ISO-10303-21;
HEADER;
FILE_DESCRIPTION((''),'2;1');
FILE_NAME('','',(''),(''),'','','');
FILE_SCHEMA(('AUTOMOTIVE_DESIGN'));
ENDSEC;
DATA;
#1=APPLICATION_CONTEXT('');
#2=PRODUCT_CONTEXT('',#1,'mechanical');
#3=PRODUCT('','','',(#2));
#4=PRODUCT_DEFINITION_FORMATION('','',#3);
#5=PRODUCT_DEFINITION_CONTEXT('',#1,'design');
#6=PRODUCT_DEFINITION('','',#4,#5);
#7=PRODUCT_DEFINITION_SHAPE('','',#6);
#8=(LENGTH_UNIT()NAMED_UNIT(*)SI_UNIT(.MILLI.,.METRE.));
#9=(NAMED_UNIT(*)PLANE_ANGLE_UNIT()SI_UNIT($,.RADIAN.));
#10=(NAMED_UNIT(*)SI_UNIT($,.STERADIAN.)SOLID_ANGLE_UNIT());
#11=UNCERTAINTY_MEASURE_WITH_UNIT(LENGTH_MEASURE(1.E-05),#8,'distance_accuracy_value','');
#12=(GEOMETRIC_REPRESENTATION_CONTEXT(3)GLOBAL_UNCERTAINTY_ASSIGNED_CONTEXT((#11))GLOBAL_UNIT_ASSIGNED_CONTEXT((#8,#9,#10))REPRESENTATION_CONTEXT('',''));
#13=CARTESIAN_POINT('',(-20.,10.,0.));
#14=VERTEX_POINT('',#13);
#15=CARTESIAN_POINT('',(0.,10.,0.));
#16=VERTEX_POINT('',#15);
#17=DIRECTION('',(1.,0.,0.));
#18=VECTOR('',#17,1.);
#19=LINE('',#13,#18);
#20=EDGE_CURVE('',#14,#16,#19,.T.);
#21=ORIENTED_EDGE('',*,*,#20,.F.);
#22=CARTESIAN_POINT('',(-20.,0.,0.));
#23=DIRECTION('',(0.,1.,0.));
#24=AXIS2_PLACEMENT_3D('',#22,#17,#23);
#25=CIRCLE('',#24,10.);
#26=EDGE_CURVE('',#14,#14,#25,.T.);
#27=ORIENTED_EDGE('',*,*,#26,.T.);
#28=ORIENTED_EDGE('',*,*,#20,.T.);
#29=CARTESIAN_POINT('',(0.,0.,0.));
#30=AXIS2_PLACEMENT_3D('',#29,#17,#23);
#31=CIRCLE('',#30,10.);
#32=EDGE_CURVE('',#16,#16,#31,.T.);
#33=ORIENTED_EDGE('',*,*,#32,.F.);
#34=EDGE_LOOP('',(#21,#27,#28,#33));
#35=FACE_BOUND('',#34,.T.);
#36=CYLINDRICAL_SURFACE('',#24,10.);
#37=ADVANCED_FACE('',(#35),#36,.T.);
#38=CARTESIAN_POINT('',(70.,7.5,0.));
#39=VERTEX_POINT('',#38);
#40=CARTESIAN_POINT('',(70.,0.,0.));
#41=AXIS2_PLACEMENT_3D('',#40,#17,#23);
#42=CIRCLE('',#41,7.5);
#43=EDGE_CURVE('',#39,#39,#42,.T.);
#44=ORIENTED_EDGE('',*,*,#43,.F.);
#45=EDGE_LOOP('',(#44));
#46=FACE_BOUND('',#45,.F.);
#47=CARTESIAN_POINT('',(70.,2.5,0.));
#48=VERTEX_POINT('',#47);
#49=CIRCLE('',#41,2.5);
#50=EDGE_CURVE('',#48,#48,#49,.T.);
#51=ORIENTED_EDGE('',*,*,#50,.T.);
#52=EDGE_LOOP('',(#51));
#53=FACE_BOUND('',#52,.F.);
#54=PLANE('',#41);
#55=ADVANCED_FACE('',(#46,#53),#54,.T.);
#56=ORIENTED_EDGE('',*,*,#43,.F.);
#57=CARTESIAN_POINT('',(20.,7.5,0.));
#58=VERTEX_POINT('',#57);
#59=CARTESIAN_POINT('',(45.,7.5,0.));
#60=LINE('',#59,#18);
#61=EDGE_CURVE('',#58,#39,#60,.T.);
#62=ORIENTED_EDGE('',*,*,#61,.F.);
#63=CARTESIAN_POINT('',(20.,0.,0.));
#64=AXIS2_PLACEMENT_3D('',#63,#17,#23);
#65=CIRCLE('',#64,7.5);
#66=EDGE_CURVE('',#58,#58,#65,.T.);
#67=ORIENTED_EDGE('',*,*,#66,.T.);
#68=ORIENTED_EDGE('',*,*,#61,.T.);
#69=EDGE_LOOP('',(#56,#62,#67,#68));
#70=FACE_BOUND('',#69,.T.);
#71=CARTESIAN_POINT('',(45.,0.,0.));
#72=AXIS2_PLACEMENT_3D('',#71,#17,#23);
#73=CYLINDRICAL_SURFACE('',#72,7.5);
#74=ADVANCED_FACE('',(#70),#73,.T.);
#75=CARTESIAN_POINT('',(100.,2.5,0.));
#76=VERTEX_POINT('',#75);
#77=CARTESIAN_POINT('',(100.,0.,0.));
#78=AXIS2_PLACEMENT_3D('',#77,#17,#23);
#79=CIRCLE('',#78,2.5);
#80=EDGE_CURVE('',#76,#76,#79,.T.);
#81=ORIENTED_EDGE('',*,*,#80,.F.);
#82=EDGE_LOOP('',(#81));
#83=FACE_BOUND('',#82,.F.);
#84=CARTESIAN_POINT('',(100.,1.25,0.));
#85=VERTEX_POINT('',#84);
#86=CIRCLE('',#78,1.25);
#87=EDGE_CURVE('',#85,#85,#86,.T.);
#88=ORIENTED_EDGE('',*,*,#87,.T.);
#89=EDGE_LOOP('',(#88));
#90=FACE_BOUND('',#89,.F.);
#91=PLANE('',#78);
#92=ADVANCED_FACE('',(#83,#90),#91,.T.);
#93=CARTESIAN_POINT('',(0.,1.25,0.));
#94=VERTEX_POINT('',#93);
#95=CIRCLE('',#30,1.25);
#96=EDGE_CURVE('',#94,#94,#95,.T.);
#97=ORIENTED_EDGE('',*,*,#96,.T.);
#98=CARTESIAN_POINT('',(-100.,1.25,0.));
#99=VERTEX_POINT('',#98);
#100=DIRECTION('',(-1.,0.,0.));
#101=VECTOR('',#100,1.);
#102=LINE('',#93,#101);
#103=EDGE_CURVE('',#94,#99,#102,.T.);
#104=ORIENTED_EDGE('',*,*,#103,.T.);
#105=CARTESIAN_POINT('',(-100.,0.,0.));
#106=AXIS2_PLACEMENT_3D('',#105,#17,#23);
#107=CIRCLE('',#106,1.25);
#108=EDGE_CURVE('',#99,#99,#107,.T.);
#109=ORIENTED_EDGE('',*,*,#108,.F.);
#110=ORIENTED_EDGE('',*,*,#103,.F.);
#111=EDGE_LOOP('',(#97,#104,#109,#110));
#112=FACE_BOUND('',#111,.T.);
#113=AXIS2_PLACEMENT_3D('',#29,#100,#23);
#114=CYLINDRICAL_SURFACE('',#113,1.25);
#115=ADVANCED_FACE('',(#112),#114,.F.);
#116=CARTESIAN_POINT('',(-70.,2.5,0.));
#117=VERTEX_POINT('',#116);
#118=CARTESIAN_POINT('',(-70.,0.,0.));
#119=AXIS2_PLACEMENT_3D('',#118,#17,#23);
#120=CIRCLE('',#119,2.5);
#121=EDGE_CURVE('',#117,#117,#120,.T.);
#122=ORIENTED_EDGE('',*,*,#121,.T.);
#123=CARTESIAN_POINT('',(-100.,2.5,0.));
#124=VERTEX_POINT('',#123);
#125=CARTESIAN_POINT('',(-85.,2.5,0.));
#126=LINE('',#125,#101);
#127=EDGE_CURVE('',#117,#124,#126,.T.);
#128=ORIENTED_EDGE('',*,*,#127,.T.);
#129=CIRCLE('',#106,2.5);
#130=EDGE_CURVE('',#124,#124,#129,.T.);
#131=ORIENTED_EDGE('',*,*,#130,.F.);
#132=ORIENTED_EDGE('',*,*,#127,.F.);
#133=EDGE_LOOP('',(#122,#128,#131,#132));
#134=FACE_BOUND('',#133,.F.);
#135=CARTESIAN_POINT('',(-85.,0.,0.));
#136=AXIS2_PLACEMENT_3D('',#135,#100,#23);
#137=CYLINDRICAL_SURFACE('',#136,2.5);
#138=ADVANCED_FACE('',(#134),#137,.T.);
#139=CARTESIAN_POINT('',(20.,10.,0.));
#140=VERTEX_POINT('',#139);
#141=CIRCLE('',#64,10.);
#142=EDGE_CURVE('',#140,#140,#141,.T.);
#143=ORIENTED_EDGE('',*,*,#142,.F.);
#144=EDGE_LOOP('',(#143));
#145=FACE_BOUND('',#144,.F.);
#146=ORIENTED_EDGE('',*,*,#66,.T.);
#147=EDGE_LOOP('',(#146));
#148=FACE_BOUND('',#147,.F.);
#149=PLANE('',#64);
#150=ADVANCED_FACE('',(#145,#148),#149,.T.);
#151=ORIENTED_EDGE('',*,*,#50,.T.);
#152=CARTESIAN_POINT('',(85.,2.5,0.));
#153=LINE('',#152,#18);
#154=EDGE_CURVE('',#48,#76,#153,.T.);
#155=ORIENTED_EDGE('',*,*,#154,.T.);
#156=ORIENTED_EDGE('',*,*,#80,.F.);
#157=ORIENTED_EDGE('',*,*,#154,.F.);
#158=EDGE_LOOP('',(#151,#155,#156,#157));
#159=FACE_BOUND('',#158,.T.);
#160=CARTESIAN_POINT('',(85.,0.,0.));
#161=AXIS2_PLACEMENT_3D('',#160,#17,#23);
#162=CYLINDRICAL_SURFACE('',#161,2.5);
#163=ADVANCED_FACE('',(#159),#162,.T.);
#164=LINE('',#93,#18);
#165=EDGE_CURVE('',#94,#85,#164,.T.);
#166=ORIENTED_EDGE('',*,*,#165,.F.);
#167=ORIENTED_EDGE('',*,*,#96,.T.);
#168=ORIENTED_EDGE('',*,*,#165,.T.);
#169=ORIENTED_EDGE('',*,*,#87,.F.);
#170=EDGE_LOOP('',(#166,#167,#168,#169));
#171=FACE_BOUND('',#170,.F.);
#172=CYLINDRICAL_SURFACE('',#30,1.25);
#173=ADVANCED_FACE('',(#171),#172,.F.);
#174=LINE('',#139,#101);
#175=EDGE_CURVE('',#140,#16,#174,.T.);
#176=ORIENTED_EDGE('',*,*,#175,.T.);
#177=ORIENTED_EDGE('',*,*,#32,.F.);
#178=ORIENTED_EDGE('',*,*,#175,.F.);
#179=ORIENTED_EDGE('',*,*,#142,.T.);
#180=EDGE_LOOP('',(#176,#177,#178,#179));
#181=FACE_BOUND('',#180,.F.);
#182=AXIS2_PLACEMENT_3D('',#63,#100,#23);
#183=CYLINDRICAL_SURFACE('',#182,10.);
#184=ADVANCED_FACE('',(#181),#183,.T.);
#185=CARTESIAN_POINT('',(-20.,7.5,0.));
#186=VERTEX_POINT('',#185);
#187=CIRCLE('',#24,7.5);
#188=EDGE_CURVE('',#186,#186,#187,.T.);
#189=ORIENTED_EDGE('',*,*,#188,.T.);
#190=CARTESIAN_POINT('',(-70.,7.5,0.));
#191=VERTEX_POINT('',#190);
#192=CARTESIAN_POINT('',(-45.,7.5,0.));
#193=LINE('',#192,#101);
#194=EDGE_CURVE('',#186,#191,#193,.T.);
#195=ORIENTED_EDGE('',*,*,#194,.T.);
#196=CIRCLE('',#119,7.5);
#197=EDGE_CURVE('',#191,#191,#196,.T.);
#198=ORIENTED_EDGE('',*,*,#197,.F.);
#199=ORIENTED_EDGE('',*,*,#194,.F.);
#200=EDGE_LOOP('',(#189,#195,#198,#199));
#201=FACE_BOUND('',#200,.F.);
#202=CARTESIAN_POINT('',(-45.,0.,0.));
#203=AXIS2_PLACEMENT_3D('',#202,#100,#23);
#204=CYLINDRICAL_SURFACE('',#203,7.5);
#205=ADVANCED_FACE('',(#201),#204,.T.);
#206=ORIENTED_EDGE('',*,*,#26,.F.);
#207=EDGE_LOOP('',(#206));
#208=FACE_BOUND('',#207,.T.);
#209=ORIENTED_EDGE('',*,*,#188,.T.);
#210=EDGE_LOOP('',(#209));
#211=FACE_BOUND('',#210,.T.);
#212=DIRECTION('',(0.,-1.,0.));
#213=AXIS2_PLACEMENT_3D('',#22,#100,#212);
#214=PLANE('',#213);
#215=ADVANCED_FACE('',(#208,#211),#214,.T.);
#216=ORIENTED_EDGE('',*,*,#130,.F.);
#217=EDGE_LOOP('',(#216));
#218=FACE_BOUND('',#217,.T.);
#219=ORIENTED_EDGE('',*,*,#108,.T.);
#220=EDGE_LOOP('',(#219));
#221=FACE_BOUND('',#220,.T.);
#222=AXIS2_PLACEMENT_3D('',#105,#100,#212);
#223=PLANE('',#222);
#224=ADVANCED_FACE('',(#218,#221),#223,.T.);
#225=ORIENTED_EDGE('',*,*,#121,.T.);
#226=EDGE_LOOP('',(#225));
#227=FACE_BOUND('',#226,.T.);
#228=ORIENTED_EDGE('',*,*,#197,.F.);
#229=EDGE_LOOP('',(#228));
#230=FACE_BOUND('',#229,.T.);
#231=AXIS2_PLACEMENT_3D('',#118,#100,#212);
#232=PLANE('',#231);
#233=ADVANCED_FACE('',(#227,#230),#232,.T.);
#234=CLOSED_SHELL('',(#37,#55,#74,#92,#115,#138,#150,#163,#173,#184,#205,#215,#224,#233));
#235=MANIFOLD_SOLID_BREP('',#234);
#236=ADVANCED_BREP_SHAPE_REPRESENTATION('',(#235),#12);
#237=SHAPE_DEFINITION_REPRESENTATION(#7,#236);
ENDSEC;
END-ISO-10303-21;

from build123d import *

# Parameters (mm, degrees)
F0_W   = 50
F0_H   = 5
F0_W_2 = 30
F0_H_2 = 1.25
F0_W_3 = 20


with BuildPart() as f1:
    # F0 (on Top) → F1 (revolve)
    with BuildSketch(Plane.XY):
        with Locations((45, 5)):
            Rectangle(F0_W, F0_H)
        Polygon((0, 10), (0, 2.5), (20, 2.5), (20, 7.5), (20, 10), align=None)
        with Locations((85, 1.875)):
            Rectangle(F0_W_2, F0_H_2)
        with Locations((45, 1.875)):
            Rectangle(F0_W, F0_H_2)
        with Locations((10, 1.875)):
            Rectangle(F0_W_3, F0_H_2)
    revolve(axis=Axis((28.8916006684, 0, 0), (1, 0, 0)))

    # F2: F1 across face


with BuildPart() as f1_1:
    add(f1.part)
    add(f1.part.mirror(Plane(origin=(0, 0, 0), x_dir=(0, -1, 0), z_dir=(-1, 0, 0))))


solid = f1_1.part
